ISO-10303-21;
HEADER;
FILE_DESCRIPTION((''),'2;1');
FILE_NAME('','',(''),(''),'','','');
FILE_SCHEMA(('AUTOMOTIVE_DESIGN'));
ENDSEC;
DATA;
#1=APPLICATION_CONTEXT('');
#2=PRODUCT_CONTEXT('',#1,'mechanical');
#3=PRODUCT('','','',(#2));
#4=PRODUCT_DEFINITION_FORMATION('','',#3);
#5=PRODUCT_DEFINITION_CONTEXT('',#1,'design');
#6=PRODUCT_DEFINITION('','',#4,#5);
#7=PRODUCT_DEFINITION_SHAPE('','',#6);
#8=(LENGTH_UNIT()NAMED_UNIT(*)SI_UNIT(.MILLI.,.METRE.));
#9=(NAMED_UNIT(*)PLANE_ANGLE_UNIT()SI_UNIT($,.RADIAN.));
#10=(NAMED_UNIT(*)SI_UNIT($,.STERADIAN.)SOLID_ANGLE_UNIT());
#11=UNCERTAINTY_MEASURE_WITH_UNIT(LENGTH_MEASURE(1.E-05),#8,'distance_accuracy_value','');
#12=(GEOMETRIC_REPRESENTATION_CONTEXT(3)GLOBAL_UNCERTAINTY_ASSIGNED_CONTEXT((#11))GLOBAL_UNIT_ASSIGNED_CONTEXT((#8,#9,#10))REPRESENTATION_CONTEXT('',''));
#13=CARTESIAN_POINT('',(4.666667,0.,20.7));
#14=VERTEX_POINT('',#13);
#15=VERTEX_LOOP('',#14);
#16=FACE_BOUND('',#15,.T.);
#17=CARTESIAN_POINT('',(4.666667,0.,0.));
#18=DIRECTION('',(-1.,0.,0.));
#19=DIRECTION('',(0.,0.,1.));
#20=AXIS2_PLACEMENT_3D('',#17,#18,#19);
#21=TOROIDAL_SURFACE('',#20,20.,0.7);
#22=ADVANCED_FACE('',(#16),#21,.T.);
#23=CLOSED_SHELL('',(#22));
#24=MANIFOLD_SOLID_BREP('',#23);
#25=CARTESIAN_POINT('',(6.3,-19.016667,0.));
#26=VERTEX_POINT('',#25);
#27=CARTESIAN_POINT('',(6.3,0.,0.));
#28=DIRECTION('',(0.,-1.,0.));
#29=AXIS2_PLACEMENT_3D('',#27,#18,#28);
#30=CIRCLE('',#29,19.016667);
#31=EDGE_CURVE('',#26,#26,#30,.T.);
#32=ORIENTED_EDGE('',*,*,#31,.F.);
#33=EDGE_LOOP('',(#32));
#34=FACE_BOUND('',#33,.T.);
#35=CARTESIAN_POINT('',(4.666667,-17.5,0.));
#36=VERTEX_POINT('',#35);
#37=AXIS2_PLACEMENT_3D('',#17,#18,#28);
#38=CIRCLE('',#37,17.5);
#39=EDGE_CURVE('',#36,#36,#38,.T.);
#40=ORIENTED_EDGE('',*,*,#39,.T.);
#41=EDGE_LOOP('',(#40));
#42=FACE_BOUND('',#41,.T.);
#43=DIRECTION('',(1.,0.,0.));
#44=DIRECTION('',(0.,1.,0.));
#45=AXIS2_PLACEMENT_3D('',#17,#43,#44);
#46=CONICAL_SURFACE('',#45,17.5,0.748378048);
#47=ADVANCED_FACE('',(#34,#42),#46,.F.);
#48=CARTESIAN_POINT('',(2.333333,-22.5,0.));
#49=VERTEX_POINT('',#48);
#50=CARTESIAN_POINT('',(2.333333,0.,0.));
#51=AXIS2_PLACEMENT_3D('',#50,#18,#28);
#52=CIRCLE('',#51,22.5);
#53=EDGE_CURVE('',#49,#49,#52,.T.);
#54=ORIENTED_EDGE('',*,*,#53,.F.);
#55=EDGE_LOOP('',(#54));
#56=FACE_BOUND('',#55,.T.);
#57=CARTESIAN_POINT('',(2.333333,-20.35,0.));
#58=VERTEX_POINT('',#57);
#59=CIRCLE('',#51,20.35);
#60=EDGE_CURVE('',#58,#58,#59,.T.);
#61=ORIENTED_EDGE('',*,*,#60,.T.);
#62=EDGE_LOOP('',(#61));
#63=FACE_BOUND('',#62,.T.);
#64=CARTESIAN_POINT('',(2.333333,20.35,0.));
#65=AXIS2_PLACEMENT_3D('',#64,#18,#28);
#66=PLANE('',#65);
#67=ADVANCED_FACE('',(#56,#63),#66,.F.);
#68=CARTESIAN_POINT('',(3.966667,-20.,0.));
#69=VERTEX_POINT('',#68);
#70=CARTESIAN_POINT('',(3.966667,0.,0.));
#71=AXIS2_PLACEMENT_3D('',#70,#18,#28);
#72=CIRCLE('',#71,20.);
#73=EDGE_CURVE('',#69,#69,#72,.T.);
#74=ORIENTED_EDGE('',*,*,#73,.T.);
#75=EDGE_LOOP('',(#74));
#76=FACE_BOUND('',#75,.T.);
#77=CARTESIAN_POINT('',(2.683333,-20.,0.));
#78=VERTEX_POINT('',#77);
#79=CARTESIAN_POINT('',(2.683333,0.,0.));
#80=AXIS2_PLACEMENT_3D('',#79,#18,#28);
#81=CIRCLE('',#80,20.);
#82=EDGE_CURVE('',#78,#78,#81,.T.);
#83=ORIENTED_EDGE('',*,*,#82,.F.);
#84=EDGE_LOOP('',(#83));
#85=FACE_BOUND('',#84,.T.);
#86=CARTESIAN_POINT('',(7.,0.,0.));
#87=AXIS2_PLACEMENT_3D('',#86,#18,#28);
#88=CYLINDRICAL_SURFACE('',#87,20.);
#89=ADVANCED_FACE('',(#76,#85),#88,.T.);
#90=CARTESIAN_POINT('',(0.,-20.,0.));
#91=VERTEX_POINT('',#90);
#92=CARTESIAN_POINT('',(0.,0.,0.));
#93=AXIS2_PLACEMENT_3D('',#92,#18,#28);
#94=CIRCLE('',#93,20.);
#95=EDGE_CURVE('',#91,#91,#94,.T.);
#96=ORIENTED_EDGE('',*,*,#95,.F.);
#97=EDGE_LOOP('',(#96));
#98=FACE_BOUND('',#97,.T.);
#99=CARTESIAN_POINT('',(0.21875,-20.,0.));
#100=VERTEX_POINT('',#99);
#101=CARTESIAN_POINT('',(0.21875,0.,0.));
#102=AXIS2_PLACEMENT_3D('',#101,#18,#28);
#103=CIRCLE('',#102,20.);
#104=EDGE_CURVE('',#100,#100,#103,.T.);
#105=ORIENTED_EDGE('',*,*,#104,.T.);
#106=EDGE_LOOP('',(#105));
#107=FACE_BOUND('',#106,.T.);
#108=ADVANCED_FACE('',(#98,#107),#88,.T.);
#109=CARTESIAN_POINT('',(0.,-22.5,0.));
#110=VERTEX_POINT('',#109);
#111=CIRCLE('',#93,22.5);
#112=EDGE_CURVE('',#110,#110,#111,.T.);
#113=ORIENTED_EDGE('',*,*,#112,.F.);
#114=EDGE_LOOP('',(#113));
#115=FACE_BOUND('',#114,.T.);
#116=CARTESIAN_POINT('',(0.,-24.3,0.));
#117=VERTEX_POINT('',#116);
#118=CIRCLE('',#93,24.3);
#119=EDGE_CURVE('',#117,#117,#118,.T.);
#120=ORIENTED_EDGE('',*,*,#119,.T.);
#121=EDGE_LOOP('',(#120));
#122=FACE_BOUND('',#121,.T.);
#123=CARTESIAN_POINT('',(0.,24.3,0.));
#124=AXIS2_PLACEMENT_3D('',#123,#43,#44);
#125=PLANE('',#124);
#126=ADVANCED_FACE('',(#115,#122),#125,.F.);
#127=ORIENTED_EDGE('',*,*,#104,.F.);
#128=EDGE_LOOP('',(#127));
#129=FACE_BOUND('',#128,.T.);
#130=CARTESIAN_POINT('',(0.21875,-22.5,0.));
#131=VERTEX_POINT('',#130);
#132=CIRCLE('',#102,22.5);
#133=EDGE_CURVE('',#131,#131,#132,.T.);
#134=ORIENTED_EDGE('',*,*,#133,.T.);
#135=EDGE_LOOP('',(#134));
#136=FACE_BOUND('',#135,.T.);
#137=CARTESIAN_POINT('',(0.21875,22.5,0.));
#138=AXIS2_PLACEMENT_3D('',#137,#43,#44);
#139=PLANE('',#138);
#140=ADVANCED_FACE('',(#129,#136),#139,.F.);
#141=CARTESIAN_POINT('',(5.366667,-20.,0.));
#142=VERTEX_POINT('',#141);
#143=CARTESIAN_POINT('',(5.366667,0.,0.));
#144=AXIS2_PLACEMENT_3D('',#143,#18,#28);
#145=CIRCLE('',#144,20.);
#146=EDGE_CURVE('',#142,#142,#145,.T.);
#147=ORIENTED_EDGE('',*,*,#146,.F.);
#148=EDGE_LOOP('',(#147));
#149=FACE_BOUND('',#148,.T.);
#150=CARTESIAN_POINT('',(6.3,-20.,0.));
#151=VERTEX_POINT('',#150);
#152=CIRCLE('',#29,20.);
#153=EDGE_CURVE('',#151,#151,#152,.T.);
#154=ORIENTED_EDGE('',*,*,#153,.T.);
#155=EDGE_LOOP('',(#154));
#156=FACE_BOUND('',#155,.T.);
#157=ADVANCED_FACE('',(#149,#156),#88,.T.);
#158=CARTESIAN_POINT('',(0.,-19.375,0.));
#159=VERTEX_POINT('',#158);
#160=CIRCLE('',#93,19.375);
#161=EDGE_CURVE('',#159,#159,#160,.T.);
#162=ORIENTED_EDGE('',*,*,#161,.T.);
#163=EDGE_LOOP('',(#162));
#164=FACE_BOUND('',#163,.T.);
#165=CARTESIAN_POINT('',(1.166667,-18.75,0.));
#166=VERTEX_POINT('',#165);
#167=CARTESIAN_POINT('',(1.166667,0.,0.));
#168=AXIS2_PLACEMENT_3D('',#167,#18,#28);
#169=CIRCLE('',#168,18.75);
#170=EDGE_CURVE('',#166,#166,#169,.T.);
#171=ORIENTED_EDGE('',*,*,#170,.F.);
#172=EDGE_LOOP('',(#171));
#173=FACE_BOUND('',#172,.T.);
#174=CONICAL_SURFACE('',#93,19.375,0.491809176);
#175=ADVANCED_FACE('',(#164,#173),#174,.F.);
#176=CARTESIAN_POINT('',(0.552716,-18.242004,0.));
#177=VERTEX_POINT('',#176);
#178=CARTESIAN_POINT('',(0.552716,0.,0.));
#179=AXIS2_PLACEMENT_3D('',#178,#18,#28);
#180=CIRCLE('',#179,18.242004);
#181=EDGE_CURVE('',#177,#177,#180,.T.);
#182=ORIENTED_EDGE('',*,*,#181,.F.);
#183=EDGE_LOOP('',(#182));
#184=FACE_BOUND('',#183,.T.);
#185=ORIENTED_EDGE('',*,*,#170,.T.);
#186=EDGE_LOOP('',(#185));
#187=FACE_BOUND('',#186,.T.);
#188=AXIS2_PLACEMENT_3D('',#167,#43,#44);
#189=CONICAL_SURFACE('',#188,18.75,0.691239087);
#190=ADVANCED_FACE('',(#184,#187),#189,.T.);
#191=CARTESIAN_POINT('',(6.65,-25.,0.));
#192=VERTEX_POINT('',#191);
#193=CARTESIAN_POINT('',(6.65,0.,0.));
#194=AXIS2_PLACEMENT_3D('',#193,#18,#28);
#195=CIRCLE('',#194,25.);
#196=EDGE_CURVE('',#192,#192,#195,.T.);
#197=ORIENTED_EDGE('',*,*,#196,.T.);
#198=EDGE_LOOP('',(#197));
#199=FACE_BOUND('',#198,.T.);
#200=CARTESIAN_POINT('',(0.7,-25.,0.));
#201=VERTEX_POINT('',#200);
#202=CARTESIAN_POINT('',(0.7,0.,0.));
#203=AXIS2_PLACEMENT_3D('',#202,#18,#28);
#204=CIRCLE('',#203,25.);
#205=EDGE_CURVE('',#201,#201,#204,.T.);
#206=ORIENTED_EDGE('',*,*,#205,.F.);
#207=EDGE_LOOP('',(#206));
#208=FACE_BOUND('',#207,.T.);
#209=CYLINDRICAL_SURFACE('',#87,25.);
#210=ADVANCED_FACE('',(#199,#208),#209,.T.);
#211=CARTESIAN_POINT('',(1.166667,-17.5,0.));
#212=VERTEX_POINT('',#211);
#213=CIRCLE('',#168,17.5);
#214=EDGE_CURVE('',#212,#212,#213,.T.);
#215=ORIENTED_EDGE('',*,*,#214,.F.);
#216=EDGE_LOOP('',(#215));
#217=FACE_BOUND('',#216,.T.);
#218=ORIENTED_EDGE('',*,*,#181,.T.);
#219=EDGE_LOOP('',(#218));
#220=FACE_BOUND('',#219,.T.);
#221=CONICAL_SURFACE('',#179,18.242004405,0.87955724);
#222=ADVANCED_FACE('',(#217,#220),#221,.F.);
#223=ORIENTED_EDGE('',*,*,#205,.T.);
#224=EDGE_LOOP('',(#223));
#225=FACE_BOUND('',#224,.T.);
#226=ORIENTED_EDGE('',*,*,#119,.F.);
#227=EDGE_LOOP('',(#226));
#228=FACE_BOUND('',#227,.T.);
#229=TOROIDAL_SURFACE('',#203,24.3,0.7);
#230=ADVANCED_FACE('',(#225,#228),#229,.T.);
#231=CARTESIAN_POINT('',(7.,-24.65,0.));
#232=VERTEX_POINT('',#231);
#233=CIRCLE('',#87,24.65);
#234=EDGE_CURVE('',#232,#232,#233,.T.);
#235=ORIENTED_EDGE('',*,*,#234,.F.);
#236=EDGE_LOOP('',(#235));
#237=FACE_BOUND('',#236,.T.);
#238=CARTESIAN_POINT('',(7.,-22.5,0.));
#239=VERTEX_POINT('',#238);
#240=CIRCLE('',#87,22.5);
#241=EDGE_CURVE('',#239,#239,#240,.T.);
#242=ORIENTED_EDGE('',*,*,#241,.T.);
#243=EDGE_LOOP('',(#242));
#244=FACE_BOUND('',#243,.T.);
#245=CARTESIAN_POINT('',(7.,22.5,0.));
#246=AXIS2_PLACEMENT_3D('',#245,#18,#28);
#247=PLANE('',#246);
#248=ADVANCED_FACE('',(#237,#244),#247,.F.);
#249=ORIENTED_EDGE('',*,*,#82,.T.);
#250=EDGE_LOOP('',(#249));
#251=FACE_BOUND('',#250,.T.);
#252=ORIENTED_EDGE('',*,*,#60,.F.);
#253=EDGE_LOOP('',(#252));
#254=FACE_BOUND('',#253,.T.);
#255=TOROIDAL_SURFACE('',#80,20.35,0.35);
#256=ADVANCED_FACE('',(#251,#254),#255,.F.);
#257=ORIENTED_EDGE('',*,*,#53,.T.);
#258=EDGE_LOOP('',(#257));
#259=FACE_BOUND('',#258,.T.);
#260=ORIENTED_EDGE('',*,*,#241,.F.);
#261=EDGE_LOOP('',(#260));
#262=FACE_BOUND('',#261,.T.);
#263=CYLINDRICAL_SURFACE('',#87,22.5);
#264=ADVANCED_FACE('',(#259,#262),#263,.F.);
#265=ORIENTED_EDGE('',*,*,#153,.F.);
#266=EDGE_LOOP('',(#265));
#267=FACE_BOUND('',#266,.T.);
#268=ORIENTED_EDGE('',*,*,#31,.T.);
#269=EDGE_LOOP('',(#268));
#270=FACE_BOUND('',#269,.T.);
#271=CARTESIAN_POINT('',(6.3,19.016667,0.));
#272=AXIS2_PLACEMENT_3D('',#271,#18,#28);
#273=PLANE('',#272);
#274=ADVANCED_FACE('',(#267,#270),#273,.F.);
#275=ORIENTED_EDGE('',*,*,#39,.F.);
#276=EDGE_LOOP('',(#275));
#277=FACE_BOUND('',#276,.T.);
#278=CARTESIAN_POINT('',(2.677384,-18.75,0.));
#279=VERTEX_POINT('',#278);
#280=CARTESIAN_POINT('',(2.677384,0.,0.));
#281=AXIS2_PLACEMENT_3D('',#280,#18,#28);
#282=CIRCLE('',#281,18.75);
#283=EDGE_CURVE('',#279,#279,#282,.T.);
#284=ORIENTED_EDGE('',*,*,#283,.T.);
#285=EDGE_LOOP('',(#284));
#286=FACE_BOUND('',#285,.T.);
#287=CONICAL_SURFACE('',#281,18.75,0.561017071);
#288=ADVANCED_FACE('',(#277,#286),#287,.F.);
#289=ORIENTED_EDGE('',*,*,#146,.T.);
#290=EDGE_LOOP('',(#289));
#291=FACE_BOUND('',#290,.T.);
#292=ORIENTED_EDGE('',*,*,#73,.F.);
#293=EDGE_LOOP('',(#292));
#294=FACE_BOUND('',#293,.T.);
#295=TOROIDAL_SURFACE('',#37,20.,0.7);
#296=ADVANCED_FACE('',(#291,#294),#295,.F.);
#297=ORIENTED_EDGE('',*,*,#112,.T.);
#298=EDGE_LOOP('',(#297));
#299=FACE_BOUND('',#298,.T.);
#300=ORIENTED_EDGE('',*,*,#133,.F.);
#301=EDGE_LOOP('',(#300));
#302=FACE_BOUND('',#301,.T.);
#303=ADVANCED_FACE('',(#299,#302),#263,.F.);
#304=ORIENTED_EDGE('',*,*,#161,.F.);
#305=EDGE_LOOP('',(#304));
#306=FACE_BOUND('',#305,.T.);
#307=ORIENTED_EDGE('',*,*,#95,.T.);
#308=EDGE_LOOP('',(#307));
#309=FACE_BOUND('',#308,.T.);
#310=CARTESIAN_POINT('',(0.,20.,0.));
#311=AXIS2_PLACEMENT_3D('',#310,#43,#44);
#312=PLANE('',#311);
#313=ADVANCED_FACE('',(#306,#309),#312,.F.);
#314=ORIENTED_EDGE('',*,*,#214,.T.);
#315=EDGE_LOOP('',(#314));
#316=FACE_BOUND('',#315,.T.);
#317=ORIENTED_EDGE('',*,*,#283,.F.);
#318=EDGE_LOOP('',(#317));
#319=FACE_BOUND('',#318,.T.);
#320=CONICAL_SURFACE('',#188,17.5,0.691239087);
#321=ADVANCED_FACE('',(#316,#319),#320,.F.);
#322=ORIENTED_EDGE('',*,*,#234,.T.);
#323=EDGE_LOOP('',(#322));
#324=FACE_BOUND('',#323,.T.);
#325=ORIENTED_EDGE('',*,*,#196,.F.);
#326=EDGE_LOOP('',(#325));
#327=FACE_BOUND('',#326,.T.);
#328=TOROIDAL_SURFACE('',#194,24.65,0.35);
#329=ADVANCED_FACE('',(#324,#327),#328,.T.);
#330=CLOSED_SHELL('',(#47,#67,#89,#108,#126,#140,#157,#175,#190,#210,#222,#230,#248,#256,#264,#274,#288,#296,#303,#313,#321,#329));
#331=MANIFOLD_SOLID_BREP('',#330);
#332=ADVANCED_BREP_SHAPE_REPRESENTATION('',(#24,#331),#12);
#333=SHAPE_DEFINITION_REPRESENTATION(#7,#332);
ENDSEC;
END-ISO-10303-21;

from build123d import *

# Parameters (mm, degrees)
SKETCH2_R = 0.7


with BuildPart() as part:
    # Sketch1 → Revolve1 (revolve)
    with BuildSketch(Plane.XY, mode=Mode.PRIVATE) as revolve1_sk:
        with BuildLine():
            Line((0, 22.5), (0.21875, 22.5))
            Line((0.21875, 22.5), (0.21875, 20))
            Line((0.21875, 20), (0, 20))
            Line((0, 20), (0, 19.375))
            Line((0, 19.375), (1.166666667, 18.75))
            Line((1.166666667, 18.75), (0.552716368, 18.242004405))
            Line((0.552716368, 18.242004405), (1.166666667, 17.5))
            Line((1.166666667, 17.5), (2.677384242, 18.75))
            Line((2.677384242, 18.75), (4.666666667, 17.5))
            Line((4.666666667, 17.5), (6.3, 19.016666667))
            Line((6.3, 19.016666667), (6.3, 20))
            Line((6.3, 20), (5.366666667, 20))
            ThreePointArc((5.366666667, 20), (4.666666667, 19.3), (3.966666667, 20))
            Line((3.966666667, 20), (2.683333333, 20))
            ThreePointArc((2.683333333, 20), (2.43584596, 20.102512627), (2.333333333, 20.35))
            Line((2.333333333, 20.35), (2.333333333, 22.5))
            Line((2.333333333, 22.5), (7, 22.5))
            Line((7, 22.5), (7, 24.65))
            ThreePointArc((7, 24.65), (6.897487373, 24.897487373), (6.65, 25))
            Line((6.65, 25), (0.7, 25))
            ThreePointArc((0.7, 25), (0.205025253, 24.794974747), (0, 24.3))
            Line((0, 24.3), (0, 22.5))
        make_face()
    revolve(revolve1_sk.sketch.rotate(Axis((7, 0, 0), (-1, 0, 0)), 180), axis=Axis((7, 0, 0), (-1, 0, 0)))


with BuildPart() as body_2:
    # Sketch2 → Revolve2 (revolve)
    with BuildSketch(Plane.XY, mode=Mode.PRIVATE) as revolve2_sk:
        with Locations((4.666666667, 20)):
            Circle(SKETCH2_R)
    revolve(revolve2_sk.sketch.rotate(Axis((0, 0, 0), (1, 0, 0)), 90), axis=Axis((0, 0, 0), (1, 0, 0)))


solid = Compound([part.part, body_2.part])
